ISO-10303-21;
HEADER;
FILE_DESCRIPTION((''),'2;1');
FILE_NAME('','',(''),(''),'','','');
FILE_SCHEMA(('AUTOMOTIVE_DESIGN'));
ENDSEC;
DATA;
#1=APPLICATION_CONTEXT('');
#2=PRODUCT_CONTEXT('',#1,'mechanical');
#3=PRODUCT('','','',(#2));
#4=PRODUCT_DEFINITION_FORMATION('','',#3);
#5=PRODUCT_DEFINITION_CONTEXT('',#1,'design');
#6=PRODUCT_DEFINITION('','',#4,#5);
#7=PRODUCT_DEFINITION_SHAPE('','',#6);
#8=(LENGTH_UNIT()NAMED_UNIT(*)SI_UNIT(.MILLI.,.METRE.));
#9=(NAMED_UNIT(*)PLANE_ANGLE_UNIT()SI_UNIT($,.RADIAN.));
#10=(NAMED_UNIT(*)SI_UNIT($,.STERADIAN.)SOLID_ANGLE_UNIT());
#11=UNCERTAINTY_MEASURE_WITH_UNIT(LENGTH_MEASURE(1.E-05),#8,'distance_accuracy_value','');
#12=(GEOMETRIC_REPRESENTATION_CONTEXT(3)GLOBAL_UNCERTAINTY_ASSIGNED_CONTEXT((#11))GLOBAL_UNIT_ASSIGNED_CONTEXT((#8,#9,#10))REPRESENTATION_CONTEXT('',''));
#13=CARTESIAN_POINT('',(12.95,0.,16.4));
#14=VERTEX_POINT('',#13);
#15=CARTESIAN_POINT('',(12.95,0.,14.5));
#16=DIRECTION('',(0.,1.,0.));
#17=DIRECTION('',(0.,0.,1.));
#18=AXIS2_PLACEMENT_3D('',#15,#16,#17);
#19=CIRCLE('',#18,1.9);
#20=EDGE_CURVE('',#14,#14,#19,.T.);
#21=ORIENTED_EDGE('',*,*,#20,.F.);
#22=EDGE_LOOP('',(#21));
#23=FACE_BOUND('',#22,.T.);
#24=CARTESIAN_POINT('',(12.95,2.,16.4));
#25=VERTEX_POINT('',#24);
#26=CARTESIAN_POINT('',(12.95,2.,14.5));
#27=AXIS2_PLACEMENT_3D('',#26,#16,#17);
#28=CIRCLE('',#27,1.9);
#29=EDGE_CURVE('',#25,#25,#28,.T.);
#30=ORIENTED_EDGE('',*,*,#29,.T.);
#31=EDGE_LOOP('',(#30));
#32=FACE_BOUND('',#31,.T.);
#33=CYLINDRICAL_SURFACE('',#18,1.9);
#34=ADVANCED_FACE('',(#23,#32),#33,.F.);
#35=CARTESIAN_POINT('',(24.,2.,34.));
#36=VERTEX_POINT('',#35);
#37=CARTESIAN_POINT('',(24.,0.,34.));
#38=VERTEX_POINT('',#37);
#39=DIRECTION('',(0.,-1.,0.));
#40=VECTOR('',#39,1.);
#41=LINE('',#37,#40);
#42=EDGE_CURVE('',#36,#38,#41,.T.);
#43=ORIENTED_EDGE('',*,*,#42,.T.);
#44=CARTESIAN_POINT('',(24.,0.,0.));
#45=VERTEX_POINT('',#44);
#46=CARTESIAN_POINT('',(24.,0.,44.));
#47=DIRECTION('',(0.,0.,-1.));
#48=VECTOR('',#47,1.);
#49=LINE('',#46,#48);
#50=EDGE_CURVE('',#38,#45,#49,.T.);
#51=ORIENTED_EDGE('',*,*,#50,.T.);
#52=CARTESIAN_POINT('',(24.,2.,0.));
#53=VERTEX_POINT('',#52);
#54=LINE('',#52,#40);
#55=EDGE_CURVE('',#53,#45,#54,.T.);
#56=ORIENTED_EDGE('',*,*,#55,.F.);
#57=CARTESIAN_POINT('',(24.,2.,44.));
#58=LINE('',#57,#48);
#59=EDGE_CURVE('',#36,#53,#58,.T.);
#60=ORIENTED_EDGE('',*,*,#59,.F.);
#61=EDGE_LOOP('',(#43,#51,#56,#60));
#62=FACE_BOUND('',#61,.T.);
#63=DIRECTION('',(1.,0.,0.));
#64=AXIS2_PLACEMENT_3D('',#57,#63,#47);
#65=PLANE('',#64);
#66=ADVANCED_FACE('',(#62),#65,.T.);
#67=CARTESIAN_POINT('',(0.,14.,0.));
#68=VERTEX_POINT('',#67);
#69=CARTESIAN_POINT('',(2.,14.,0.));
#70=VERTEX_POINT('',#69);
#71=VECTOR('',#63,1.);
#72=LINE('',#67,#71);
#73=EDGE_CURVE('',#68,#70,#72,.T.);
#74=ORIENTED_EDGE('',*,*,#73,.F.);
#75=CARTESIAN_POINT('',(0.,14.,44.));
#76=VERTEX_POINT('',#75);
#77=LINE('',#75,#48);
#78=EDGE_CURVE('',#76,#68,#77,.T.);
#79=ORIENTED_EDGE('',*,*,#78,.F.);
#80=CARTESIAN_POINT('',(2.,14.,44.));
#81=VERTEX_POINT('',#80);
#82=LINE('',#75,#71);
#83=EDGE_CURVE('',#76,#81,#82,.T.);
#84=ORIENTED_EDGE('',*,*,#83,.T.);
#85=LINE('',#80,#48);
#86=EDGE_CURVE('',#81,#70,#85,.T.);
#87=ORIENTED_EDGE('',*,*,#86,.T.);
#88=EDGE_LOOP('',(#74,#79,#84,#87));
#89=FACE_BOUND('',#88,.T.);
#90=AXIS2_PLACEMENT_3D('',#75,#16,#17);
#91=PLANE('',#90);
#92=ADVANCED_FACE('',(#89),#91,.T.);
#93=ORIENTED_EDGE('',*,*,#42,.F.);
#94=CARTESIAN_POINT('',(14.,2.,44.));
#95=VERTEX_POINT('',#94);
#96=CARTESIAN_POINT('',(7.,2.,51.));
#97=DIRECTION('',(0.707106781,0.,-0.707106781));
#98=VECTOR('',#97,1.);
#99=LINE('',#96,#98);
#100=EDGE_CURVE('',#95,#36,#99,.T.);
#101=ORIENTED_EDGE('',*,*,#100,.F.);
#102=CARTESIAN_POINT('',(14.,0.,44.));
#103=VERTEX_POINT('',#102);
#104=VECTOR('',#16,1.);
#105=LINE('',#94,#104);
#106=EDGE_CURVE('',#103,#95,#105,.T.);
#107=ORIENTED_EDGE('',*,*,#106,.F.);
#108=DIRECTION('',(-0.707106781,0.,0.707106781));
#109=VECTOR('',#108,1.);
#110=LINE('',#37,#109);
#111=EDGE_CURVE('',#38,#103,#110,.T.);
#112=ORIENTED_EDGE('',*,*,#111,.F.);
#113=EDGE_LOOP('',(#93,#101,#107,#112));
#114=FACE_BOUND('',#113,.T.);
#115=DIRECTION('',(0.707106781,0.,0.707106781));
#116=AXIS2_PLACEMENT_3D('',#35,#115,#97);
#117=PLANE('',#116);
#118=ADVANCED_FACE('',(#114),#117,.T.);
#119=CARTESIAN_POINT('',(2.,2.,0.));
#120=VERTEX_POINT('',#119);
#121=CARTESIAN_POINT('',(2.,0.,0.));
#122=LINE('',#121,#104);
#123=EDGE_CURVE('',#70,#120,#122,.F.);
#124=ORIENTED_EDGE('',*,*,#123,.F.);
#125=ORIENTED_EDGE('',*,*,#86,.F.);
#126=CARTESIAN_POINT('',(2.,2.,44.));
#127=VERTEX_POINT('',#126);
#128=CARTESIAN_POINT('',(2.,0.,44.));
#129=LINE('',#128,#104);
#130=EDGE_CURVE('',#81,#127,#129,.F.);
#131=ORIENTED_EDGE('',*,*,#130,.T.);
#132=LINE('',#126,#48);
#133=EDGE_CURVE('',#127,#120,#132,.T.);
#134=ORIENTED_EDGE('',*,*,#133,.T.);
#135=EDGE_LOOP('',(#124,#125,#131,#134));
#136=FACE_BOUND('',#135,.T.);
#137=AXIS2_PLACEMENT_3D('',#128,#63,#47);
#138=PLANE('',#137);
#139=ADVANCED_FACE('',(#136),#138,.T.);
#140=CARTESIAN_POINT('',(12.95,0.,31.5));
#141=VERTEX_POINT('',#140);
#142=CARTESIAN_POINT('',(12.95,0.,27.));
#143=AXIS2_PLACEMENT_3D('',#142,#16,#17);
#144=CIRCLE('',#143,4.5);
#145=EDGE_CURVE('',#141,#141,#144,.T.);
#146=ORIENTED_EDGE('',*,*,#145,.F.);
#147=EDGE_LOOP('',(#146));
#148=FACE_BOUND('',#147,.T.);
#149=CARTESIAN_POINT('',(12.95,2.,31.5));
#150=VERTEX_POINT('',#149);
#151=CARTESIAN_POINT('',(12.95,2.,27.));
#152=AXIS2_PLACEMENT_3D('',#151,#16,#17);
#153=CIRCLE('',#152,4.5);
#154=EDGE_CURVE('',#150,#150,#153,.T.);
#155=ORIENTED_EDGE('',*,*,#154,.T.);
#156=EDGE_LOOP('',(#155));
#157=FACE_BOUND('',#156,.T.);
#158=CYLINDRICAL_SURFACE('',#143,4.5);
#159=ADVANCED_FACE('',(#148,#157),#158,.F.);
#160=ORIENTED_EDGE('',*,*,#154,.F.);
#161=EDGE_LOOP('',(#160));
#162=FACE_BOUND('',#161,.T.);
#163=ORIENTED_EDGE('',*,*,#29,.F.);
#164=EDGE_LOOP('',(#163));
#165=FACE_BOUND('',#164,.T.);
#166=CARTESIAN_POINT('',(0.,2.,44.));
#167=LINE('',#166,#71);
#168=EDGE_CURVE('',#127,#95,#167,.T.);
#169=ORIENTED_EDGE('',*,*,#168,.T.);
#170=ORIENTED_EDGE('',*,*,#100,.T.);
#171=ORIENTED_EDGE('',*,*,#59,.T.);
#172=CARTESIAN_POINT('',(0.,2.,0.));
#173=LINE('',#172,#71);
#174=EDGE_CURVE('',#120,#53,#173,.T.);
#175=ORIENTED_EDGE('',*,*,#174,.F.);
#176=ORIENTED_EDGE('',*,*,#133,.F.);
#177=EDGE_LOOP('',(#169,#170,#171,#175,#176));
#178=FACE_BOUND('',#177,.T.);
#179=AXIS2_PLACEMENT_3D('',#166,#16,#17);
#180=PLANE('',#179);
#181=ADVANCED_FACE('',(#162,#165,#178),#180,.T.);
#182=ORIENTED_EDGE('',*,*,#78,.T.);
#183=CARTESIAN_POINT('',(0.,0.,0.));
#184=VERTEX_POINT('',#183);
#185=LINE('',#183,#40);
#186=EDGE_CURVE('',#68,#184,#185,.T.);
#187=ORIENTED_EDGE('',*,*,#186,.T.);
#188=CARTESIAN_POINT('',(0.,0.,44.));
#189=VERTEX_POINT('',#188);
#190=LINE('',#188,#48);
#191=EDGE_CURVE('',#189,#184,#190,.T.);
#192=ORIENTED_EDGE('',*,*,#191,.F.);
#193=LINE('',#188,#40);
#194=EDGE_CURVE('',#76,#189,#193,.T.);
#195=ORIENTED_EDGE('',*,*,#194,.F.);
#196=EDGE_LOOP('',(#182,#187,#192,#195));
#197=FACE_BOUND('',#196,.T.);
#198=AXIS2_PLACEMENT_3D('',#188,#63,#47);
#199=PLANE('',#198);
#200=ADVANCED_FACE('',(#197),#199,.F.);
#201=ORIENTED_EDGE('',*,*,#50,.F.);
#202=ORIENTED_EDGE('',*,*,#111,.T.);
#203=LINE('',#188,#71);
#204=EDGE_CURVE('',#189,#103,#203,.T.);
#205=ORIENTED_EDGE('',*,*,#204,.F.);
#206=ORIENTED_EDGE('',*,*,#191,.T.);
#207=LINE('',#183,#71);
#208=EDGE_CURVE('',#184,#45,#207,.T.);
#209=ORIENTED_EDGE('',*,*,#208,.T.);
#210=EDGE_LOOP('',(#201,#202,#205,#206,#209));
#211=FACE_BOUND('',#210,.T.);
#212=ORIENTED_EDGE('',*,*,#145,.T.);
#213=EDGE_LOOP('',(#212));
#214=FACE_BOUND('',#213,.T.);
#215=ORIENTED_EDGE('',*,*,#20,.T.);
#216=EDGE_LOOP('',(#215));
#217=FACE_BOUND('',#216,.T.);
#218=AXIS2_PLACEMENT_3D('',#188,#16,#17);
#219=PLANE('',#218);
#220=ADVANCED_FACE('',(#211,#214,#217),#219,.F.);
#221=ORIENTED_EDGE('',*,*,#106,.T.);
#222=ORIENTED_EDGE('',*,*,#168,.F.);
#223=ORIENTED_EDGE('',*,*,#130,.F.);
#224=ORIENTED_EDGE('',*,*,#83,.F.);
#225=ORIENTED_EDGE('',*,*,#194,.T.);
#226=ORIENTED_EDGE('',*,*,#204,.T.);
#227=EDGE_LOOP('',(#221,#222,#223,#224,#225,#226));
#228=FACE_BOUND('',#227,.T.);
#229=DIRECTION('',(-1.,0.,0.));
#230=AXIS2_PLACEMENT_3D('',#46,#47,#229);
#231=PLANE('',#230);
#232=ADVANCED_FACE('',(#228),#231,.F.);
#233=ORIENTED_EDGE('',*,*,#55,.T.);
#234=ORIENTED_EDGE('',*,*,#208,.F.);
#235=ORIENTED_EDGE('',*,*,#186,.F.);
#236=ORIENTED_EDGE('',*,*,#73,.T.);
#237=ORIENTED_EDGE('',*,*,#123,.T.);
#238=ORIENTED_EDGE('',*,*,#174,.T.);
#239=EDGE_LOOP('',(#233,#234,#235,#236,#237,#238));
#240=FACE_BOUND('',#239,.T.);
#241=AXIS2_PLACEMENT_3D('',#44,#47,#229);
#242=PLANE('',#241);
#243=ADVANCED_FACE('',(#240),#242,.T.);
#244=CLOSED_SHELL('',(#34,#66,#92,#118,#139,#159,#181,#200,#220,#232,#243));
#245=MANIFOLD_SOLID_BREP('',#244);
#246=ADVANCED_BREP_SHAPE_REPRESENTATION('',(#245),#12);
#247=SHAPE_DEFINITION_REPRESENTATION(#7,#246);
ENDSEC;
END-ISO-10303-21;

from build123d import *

# Parameters (mm, degrees)
EXTRUDE_1_DEPTH     = 44
SKETCH_4_R          = 1.9
SKETCH_4_R_2        = 4.5
CUT_EXTRUDE_1_DEPTH = 52.536394907
CHAMFER_1_SIZE      = 10


with BuildPart() as part:
    # Эскиз2 → Вытянуть-Тонкостенный1 (new body)
    with BuildSketch(Plane.XY):
        Polygon((24, 0), (0, 0), (0, 14), (2, 14), (2, 2), (24, 2), align=None)
    extrude(amount=EXTRUDE_1_DEPTH)

    # Эскиз4 → Вырез-Вытянуть1 (cut, through all)
    with BuildSketch(Plane(origin=(0, 2, 0), x_dir=(-1, 0, 0), z_dir=(0, 1, 0))):
        with Locations(Location((-12.95, 14.5, 0), (0, 0, 90))):
            Circle(SKETCH_4_R)
        with Locations(Location((-12.95, 27, 0), (0, 0, 90))):
            Circle(SKETCH_4_R_2)
    extrude(amount=-CUT_EXTRUDE_1_DEPTH, mode=Mode.SUBTRACT)

    # Фаска1
    chamfer_1_edges = [part.edges().sort_by_distance(p)[0] for p in [
        (24, 1, 44),
    ]]
    chamfer(chamfer_1_edges, length=CHAMFER_1_SIZE)


solid = part.part
